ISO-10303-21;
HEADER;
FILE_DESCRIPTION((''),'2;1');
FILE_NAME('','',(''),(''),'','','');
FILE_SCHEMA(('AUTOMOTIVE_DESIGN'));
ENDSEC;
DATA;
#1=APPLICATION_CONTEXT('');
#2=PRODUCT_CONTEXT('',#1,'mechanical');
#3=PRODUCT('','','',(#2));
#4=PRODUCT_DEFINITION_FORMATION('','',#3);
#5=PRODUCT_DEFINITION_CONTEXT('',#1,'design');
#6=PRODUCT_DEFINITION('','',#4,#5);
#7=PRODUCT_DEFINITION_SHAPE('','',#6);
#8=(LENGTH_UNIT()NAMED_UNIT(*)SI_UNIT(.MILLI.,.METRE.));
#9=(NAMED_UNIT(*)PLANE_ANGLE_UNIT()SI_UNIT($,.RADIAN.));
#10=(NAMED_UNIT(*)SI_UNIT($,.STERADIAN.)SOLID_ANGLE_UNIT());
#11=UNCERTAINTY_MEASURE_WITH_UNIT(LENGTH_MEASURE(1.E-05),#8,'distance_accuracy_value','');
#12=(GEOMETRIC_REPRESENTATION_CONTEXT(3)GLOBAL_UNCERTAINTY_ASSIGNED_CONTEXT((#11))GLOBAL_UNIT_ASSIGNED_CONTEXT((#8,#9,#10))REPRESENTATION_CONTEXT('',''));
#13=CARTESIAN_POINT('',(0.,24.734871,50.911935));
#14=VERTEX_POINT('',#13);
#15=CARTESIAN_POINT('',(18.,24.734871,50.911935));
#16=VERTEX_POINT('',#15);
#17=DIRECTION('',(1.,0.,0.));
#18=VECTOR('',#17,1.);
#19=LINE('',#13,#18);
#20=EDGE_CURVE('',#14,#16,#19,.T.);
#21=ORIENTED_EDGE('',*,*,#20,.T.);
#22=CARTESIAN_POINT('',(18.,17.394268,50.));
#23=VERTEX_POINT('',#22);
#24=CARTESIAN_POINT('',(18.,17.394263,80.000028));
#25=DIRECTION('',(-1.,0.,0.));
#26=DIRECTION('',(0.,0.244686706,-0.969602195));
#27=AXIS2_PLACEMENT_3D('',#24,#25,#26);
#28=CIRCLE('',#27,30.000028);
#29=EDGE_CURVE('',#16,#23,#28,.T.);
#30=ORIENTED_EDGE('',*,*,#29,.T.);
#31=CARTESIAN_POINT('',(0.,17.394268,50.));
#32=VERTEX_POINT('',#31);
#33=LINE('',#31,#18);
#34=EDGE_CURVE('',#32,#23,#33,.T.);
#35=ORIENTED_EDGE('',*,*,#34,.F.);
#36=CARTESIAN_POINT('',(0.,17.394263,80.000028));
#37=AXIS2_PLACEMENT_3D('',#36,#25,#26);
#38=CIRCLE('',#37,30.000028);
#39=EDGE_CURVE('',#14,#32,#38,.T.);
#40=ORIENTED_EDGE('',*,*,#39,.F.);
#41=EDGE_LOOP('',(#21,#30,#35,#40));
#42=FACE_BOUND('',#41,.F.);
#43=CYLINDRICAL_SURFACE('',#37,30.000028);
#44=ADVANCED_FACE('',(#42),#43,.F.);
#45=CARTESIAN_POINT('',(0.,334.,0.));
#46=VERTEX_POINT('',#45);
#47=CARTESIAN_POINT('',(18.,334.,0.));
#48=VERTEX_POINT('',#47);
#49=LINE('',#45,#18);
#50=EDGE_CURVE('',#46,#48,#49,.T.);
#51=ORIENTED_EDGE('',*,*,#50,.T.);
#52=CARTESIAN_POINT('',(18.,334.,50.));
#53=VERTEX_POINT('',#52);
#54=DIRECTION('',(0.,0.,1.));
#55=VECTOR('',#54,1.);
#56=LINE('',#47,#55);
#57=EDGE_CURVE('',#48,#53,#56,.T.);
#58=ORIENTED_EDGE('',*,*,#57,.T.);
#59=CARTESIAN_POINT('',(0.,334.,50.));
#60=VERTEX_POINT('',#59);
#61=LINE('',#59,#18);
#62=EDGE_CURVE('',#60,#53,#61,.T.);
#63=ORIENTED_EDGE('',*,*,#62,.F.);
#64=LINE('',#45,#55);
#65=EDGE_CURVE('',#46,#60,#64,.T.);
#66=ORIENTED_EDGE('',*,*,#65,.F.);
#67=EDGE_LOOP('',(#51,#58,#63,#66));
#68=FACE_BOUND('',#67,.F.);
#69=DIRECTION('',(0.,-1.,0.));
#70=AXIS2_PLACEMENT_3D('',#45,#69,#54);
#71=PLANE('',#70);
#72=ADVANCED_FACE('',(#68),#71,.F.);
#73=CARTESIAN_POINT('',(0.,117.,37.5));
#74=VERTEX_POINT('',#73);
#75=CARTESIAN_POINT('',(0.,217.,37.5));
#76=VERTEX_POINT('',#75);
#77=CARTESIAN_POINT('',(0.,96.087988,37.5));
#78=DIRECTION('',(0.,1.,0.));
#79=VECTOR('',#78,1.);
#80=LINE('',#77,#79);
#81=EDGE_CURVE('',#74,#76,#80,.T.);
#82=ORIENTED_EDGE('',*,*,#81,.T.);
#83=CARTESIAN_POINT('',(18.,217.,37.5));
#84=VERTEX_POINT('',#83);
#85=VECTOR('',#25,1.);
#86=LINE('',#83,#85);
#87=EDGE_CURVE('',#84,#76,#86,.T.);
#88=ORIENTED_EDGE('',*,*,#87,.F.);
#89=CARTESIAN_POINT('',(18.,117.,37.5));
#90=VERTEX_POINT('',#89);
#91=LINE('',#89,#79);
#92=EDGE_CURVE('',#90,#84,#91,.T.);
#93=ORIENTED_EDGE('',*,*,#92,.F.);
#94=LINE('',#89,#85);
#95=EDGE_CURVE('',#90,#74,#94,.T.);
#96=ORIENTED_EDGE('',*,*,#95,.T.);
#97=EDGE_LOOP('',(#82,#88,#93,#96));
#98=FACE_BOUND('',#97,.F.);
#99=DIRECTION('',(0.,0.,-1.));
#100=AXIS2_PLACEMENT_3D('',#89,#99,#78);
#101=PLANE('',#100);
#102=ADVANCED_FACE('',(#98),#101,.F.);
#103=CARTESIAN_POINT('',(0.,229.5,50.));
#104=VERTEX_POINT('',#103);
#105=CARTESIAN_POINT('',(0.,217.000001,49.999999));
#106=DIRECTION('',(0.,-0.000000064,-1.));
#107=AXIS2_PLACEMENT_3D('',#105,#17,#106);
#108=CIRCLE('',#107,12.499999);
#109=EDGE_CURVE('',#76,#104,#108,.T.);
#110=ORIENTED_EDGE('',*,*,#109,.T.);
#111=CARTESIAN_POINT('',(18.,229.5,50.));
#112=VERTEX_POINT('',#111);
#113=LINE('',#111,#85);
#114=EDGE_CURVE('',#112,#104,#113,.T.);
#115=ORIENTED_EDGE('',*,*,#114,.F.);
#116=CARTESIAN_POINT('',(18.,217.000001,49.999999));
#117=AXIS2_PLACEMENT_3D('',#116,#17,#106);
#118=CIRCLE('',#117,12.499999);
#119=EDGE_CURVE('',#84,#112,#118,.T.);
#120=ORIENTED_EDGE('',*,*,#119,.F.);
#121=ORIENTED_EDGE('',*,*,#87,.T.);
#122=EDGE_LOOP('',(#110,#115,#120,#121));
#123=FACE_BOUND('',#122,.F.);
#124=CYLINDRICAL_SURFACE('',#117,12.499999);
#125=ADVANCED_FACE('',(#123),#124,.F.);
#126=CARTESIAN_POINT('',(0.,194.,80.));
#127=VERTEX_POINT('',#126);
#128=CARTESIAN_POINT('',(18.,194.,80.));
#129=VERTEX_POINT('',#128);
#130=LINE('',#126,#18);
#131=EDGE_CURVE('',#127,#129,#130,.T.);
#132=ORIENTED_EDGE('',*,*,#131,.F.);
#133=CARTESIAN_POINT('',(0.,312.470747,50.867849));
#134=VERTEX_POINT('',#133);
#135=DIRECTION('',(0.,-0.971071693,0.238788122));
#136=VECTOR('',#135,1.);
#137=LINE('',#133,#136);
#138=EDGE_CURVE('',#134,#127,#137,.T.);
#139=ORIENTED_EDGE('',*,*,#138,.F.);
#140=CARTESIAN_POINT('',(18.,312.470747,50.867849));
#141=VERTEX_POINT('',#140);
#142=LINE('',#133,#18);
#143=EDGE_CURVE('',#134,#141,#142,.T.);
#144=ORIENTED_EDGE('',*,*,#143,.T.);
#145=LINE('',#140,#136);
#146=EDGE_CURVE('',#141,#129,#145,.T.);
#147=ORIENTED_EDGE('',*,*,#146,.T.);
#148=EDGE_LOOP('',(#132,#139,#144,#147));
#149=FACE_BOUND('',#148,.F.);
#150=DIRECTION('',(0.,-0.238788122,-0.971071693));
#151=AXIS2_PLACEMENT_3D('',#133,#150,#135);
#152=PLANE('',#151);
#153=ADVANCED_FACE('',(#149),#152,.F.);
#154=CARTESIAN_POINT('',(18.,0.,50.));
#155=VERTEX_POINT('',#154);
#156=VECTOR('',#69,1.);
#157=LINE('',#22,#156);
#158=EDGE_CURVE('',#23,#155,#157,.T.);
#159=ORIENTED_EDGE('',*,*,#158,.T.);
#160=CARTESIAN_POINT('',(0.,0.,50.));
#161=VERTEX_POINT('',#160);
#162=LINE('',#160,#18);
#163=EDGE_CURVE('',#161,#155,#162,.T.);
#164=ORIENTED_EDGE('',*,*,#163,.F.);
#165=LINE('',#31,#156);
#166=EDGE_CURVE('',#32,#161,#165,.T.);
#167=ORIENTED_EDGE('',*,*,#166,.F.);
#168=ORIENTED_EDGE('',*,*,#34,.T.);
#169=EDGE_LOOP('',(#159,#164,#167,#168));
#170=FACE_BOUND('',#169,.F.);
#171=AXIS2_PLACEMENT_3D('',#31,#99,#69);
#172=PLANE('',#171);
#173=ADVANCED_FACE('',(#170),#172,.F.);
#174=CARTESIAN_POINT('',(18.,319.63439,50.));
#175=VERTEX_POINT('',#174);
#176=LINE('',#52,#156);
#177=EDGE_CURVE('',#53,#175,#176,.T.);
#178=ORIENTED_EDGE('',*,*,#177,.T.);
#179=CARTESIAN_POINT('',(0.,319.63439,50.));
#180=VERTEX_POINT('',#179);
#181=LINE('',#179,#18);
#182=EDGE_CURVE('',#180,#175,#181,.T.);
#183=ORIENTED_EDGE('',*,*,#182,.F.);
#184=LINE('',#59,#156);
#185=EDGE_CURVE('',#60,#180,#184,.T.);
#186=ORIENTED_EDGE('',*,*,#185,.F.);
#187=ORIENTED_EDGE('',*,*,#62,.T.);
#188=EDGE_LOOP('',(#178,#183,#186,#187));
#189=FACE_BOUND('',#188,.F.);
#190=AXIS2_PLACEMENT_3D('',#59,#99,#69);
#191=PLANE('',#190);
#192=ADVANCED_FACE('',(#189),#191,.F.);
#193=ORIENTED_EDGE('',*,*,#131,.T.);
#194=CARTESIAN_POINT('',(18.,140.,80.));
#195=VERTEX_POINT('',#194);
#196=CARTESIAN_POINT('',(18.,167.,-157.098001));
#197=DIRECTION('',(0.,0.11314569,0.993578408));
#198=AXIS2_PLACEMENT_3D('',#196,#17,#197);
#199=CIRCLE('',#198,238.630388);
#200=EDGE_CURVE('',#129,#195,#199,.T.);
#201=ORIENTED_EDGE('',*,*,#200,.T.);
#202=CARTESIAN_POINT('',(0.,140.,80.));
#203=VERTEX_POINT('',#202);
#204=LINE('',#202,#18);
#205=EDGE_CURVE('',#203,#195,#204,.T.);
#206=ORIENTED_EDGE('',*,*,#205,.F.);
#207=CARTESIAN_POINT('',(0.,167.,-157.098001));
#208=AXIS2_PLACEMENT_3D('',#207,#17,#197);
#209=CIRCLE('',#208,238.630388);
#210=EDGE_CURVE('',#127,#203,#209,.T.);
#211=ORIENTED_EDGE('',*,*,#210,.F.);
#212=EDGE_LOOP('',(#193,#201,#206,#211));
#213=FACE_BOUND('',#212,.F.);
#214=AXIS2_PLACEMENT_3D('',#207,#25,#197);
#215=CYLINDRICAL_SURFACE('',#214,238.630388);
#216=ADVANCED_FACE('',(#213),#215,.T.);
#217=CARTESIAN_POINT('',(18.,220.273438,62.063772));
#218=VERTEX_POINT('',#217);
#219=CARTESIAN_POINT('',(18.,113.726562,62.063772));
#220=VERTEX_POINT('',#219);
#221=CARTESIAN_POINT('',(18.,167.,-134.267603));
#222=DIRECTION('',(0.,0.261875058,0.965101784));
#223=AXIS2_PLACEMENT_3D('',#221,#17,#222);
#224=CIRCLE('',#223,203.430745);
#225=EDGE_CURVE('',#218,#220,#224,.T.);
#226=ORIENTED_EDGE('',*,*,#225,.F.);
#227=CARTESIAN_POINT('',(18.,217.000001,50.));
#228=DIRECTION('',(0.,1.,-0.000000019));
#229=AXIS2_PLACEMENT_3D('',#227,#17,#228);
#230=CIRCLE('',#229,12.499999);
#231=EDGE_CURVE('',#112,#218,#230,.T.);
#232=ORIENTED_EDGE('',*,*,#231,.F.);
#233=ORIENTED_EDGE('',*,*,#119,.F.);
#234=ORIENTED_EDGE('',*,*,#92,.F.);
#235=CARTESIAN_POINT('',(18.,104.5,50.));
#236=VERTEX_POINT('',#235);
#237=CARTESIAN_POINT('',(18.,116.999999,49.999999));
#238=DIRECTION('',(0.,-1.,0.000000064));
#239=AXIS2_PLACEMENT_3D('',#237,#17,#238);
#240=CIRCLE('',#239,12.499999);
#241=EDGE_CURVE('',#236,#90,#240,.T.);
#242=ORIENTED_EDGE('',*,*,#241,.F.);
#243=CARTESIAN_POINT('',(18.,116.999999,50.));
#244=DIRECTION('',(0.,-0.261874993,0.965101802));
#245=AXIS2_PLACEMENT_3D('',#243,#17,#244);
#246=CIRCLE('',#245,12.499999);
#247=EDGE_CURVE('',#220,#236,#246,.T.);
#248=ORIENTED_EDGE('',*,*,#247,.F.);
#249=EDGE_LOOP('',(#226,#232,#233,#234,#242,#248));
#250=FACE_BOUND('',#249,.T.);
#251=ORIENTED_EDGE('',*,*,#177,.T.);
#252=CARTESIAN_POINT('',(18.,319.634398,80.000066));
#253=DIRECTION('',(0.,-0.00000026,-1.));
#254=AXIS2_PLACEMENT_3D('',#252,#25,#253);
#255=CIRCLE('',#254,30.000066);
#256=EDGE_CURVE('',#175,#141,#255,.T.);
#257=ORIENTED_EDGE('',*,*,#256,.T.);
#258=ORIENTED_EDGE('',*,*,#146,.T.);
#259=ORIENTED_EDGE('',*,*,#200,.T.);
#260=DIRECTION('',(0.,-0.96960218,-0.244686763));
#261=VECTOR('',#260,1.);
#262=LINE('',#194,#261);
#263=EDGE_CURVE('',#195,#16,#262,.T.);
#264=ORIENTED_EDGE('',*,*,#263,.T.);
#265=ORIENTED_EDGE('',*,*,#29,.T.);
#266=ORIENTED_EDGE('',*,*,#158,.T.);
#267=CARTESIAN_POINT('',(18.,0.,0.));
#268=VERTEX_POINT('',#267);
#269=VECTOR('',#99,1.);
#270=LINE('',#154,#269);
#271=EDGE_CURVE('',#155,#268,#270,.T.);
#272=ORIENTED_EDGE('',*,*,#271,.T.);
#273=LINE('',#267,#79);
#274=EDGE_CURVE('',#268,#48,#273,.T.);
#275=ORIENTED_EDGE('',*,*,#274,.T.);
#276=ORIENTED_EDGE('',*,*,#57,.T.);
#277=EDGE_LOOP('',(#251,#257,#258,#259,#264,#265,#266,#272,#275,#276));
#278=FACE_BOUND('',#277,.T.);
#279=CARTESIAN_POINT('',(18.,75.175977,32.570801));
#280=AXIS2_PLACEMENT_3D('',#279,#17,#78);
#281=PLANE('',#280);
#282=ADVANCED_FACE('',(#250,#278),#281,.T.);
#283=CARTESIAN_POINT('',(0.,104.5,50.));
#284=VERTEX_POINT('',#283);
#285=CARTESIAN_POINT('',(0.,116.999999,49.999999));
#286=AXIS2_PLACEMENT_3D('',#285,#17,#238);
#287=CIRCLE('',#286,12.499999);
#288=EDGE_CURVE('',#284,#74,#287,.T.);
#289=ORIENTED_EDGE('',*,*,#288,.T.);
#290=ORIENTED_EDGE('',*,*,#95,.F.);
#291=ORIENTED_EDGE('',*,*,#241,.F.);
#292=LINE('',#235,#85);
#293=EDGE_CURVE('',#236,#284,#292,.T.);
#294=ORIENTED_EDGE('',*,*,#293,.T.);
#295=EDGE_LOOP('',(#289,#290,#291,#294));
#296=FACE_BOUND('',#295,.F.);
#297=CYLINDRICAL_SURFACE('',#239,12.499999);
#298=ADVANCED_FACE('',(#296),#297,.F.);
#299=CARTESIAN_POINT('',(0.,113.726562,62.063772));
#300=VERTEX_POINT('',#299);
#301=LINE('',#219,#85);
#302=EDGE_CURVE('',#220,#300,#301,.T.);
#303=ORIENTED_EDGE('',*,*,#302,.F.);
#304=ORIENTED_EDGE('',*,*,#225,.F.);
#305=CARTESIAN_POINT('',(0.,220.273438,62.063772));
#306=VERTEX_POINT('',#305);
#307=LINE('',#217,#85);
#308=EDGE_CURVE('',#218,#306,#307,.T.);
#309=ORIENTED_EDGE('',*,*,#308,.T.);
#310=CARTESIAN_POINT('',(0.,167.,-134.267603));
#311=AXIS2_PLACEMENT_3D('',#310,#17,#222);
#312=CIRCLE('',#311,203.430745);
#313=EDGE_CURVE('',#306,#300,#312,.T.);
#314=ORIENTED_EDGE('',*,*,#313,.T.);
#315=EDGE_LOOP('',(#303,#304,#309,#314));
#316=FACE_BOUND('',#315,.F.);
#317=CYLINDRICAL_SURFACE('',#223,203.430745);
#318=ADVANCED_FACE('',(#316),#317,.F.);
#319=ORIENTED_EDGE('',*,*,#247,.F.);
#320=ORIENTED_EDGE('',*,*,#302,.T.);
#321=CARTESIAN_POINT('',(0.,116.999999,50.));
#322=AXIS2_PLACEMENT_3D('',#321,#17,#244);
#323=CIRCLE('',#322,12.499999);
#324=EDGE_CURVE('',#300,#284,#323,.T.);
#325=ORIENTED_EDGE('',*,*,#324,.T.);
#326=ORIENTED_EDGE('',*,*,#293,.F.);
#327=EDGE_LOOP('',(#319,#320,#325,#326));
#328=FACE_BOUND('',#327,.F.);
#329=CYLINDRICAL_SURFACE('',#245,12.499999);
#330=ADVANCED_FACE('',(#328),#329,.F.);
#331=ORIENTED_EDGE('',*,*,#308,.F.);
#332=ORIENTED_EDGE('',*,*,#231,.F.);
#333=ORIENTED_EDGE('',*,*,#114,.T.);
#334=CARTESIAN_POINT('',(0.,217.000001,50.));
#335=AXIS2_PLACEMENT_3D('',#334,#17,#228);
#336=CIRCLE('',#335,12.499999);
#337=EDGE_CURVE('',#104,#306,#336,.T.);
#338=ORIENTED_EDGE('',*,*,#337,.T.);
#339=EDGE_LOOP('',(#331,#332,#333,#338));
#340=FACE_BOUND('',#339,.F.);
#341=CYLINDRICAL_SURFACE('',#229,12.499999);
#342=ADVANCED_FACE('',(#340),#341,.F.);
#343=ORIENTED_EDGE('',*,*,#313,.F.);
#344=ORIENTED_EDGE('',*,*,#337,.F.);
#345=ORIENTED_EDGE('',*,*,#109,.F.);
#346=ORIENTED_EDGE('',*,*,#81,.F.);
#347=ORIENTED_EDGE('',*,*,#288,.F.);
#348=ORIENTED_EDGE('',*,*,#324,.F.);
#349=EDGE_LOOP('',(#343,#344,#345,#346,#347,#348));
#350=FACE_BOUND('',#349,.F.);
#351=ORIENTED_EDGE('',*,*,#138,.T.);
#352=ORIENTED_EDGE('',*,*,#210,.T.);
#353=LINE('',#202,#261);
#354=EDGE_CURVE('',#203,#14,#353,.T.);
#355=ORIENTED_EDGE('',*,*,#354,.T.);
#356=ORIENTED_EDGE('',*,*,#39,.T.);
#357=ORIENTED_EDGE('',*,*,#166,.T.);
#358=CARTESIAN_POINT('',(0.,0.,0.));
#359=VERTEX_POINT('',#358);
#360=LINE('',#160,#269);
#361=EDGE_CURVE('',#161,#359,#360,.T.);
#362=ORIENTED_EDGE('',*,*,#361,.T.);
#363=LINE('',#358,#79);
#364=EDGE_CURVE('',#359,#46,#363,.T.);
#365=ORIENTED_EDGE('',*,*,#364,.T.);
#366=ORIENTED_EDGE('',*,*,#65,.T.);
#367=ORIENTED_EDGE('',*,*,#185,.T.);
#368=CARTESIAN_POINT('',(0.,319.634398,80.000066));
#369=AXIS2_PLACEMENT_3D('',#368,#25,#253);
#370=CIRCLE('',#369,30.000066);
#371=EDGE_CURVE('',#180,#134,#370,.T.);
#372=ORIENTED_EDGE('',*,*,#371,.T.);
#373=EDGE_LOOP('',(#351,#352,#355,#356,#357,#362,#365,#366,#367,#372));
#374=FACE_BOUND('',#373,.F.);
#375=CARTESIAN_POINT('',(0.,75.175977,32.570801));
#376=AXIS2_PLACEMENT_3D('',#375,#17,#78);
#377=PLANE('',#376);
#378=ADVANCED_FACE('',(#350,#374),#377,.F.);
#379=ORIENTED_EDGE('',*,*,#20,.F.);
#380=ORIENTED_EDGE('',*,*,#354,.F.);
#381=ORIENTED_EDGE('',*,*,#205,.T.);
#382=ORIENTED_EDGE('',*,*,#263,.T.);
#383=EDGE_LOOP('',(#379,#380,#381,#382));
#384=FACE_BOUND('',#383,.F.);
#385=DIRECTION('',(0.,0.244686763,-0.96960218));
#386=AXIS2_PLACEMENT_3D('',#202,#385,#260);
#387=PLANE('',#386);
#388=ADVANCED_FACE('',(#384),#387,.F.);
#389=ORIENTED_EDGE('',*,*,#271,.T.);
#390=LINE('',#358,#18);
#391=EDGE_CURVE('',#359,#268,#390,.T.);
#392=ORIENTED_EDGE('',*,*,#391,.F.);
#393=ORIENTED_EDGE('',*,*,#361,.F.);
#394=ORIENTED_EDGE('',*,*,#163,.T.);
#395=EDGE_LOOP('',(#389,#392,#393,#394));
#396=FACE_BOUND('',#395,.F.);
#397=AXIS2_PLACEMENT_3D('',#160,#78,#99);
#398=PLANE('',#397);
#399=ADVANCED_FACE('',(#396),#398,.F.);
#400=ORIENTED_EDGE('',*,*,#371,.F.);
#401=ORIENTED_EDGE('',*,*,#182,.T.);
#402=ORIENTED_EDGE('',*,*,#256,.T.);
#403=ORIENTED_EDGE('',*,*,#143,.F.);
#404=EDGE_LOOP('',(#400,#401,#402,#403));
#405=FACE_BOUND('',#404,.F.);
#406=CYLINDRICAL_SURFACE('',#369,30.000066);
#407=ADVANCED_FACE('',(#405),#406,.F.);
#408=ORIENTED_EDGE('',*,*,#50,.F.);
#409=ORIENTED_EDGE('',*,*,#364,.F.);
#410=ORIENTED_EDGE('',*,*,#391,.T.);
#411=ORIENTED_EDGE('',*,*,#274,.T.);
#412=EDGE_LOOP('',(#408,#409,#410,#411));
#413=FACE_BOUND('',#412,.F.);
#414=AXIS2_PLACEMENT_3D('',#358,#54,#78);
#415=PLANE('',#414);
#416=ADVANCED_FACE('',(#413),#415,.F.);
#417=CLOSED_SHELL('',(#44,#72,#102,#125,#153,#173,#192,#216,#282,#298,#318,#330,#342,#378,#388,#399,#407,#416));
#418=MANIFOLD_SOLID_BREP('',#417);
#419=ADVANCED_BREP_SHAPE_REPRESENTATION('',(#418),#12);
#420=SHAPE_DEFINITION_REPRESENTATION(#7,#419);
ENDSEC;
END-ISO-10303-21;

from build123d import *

# Parameters (mm, degrees)
F1_DEPTH = 18
F3_DEPTH = 25


with BuildPart() as f1:
    # F0 (on Right) → F1 (new body)
    with BuildSketch(Plane.YZ):
        with BuildLine():
            Line((0, 50), (0, 0))
            Line((0, 0), (140, 0))
            Line((140, 0), (140, 80))
            Line((140, 80), (24.734871, 50.911935))
            ThreePointArc((24.734871, 50.911935), (21.092784, 50.228857), (17.394268, 50))
            Line((17.394268, 50), (0, 50))
        make_face()
        with BuildLine():
            Line((140, 80), (140, 0))
            Line((140, 0), (194, 0))
            Line((194, 0), (194, 80))
            ThreePointArc((194, 80), (167, 81.532387), (140, 80))
        make_face()
        with BuildLine():
            Line((194, 80), (194, 0))
            Line((194, 0), (334, 0))
            Line((334, 0), (334, 50))
            Line((334, 50), (319.63439, 50))
            ThreePointArc((319.63439, 50), (316.02638, 50.217753), (312.470747, 50.867849))
            Line((312.470747, 50.867849), (194, 80))
        make_face()
    extrude(amount=F1_DEPTH)

    # F2 (on face) → F3 (cut)
    with BuildSketch(Plane.YZ.offset(18)):
        with BuildLine():
            ThreePointArc((104.5, 50), (108.161165, 41.161165), (117, 37.5))
            Line((117, 37.5), (217, 37.5))
            ThreePointArc((217, 37.5), (225.838835, 41.161165), (229.5, 50))
            ThreePointArc((229.5, 50), (226.928947, 57.593814), (220.273438, 62.063772))
            ThreePointArc((220.273438, 62.063772), (167, 69.163142), (113.726562, 62.063772))
            ThreePointArc((113.726562, 62.063772), (107.071053, 57.593814), (104.5, 50))
        make_face()
    extrude(amount=-F3_DEPTH, mode=Mode.SUBTRACT)


solid = f1.part
